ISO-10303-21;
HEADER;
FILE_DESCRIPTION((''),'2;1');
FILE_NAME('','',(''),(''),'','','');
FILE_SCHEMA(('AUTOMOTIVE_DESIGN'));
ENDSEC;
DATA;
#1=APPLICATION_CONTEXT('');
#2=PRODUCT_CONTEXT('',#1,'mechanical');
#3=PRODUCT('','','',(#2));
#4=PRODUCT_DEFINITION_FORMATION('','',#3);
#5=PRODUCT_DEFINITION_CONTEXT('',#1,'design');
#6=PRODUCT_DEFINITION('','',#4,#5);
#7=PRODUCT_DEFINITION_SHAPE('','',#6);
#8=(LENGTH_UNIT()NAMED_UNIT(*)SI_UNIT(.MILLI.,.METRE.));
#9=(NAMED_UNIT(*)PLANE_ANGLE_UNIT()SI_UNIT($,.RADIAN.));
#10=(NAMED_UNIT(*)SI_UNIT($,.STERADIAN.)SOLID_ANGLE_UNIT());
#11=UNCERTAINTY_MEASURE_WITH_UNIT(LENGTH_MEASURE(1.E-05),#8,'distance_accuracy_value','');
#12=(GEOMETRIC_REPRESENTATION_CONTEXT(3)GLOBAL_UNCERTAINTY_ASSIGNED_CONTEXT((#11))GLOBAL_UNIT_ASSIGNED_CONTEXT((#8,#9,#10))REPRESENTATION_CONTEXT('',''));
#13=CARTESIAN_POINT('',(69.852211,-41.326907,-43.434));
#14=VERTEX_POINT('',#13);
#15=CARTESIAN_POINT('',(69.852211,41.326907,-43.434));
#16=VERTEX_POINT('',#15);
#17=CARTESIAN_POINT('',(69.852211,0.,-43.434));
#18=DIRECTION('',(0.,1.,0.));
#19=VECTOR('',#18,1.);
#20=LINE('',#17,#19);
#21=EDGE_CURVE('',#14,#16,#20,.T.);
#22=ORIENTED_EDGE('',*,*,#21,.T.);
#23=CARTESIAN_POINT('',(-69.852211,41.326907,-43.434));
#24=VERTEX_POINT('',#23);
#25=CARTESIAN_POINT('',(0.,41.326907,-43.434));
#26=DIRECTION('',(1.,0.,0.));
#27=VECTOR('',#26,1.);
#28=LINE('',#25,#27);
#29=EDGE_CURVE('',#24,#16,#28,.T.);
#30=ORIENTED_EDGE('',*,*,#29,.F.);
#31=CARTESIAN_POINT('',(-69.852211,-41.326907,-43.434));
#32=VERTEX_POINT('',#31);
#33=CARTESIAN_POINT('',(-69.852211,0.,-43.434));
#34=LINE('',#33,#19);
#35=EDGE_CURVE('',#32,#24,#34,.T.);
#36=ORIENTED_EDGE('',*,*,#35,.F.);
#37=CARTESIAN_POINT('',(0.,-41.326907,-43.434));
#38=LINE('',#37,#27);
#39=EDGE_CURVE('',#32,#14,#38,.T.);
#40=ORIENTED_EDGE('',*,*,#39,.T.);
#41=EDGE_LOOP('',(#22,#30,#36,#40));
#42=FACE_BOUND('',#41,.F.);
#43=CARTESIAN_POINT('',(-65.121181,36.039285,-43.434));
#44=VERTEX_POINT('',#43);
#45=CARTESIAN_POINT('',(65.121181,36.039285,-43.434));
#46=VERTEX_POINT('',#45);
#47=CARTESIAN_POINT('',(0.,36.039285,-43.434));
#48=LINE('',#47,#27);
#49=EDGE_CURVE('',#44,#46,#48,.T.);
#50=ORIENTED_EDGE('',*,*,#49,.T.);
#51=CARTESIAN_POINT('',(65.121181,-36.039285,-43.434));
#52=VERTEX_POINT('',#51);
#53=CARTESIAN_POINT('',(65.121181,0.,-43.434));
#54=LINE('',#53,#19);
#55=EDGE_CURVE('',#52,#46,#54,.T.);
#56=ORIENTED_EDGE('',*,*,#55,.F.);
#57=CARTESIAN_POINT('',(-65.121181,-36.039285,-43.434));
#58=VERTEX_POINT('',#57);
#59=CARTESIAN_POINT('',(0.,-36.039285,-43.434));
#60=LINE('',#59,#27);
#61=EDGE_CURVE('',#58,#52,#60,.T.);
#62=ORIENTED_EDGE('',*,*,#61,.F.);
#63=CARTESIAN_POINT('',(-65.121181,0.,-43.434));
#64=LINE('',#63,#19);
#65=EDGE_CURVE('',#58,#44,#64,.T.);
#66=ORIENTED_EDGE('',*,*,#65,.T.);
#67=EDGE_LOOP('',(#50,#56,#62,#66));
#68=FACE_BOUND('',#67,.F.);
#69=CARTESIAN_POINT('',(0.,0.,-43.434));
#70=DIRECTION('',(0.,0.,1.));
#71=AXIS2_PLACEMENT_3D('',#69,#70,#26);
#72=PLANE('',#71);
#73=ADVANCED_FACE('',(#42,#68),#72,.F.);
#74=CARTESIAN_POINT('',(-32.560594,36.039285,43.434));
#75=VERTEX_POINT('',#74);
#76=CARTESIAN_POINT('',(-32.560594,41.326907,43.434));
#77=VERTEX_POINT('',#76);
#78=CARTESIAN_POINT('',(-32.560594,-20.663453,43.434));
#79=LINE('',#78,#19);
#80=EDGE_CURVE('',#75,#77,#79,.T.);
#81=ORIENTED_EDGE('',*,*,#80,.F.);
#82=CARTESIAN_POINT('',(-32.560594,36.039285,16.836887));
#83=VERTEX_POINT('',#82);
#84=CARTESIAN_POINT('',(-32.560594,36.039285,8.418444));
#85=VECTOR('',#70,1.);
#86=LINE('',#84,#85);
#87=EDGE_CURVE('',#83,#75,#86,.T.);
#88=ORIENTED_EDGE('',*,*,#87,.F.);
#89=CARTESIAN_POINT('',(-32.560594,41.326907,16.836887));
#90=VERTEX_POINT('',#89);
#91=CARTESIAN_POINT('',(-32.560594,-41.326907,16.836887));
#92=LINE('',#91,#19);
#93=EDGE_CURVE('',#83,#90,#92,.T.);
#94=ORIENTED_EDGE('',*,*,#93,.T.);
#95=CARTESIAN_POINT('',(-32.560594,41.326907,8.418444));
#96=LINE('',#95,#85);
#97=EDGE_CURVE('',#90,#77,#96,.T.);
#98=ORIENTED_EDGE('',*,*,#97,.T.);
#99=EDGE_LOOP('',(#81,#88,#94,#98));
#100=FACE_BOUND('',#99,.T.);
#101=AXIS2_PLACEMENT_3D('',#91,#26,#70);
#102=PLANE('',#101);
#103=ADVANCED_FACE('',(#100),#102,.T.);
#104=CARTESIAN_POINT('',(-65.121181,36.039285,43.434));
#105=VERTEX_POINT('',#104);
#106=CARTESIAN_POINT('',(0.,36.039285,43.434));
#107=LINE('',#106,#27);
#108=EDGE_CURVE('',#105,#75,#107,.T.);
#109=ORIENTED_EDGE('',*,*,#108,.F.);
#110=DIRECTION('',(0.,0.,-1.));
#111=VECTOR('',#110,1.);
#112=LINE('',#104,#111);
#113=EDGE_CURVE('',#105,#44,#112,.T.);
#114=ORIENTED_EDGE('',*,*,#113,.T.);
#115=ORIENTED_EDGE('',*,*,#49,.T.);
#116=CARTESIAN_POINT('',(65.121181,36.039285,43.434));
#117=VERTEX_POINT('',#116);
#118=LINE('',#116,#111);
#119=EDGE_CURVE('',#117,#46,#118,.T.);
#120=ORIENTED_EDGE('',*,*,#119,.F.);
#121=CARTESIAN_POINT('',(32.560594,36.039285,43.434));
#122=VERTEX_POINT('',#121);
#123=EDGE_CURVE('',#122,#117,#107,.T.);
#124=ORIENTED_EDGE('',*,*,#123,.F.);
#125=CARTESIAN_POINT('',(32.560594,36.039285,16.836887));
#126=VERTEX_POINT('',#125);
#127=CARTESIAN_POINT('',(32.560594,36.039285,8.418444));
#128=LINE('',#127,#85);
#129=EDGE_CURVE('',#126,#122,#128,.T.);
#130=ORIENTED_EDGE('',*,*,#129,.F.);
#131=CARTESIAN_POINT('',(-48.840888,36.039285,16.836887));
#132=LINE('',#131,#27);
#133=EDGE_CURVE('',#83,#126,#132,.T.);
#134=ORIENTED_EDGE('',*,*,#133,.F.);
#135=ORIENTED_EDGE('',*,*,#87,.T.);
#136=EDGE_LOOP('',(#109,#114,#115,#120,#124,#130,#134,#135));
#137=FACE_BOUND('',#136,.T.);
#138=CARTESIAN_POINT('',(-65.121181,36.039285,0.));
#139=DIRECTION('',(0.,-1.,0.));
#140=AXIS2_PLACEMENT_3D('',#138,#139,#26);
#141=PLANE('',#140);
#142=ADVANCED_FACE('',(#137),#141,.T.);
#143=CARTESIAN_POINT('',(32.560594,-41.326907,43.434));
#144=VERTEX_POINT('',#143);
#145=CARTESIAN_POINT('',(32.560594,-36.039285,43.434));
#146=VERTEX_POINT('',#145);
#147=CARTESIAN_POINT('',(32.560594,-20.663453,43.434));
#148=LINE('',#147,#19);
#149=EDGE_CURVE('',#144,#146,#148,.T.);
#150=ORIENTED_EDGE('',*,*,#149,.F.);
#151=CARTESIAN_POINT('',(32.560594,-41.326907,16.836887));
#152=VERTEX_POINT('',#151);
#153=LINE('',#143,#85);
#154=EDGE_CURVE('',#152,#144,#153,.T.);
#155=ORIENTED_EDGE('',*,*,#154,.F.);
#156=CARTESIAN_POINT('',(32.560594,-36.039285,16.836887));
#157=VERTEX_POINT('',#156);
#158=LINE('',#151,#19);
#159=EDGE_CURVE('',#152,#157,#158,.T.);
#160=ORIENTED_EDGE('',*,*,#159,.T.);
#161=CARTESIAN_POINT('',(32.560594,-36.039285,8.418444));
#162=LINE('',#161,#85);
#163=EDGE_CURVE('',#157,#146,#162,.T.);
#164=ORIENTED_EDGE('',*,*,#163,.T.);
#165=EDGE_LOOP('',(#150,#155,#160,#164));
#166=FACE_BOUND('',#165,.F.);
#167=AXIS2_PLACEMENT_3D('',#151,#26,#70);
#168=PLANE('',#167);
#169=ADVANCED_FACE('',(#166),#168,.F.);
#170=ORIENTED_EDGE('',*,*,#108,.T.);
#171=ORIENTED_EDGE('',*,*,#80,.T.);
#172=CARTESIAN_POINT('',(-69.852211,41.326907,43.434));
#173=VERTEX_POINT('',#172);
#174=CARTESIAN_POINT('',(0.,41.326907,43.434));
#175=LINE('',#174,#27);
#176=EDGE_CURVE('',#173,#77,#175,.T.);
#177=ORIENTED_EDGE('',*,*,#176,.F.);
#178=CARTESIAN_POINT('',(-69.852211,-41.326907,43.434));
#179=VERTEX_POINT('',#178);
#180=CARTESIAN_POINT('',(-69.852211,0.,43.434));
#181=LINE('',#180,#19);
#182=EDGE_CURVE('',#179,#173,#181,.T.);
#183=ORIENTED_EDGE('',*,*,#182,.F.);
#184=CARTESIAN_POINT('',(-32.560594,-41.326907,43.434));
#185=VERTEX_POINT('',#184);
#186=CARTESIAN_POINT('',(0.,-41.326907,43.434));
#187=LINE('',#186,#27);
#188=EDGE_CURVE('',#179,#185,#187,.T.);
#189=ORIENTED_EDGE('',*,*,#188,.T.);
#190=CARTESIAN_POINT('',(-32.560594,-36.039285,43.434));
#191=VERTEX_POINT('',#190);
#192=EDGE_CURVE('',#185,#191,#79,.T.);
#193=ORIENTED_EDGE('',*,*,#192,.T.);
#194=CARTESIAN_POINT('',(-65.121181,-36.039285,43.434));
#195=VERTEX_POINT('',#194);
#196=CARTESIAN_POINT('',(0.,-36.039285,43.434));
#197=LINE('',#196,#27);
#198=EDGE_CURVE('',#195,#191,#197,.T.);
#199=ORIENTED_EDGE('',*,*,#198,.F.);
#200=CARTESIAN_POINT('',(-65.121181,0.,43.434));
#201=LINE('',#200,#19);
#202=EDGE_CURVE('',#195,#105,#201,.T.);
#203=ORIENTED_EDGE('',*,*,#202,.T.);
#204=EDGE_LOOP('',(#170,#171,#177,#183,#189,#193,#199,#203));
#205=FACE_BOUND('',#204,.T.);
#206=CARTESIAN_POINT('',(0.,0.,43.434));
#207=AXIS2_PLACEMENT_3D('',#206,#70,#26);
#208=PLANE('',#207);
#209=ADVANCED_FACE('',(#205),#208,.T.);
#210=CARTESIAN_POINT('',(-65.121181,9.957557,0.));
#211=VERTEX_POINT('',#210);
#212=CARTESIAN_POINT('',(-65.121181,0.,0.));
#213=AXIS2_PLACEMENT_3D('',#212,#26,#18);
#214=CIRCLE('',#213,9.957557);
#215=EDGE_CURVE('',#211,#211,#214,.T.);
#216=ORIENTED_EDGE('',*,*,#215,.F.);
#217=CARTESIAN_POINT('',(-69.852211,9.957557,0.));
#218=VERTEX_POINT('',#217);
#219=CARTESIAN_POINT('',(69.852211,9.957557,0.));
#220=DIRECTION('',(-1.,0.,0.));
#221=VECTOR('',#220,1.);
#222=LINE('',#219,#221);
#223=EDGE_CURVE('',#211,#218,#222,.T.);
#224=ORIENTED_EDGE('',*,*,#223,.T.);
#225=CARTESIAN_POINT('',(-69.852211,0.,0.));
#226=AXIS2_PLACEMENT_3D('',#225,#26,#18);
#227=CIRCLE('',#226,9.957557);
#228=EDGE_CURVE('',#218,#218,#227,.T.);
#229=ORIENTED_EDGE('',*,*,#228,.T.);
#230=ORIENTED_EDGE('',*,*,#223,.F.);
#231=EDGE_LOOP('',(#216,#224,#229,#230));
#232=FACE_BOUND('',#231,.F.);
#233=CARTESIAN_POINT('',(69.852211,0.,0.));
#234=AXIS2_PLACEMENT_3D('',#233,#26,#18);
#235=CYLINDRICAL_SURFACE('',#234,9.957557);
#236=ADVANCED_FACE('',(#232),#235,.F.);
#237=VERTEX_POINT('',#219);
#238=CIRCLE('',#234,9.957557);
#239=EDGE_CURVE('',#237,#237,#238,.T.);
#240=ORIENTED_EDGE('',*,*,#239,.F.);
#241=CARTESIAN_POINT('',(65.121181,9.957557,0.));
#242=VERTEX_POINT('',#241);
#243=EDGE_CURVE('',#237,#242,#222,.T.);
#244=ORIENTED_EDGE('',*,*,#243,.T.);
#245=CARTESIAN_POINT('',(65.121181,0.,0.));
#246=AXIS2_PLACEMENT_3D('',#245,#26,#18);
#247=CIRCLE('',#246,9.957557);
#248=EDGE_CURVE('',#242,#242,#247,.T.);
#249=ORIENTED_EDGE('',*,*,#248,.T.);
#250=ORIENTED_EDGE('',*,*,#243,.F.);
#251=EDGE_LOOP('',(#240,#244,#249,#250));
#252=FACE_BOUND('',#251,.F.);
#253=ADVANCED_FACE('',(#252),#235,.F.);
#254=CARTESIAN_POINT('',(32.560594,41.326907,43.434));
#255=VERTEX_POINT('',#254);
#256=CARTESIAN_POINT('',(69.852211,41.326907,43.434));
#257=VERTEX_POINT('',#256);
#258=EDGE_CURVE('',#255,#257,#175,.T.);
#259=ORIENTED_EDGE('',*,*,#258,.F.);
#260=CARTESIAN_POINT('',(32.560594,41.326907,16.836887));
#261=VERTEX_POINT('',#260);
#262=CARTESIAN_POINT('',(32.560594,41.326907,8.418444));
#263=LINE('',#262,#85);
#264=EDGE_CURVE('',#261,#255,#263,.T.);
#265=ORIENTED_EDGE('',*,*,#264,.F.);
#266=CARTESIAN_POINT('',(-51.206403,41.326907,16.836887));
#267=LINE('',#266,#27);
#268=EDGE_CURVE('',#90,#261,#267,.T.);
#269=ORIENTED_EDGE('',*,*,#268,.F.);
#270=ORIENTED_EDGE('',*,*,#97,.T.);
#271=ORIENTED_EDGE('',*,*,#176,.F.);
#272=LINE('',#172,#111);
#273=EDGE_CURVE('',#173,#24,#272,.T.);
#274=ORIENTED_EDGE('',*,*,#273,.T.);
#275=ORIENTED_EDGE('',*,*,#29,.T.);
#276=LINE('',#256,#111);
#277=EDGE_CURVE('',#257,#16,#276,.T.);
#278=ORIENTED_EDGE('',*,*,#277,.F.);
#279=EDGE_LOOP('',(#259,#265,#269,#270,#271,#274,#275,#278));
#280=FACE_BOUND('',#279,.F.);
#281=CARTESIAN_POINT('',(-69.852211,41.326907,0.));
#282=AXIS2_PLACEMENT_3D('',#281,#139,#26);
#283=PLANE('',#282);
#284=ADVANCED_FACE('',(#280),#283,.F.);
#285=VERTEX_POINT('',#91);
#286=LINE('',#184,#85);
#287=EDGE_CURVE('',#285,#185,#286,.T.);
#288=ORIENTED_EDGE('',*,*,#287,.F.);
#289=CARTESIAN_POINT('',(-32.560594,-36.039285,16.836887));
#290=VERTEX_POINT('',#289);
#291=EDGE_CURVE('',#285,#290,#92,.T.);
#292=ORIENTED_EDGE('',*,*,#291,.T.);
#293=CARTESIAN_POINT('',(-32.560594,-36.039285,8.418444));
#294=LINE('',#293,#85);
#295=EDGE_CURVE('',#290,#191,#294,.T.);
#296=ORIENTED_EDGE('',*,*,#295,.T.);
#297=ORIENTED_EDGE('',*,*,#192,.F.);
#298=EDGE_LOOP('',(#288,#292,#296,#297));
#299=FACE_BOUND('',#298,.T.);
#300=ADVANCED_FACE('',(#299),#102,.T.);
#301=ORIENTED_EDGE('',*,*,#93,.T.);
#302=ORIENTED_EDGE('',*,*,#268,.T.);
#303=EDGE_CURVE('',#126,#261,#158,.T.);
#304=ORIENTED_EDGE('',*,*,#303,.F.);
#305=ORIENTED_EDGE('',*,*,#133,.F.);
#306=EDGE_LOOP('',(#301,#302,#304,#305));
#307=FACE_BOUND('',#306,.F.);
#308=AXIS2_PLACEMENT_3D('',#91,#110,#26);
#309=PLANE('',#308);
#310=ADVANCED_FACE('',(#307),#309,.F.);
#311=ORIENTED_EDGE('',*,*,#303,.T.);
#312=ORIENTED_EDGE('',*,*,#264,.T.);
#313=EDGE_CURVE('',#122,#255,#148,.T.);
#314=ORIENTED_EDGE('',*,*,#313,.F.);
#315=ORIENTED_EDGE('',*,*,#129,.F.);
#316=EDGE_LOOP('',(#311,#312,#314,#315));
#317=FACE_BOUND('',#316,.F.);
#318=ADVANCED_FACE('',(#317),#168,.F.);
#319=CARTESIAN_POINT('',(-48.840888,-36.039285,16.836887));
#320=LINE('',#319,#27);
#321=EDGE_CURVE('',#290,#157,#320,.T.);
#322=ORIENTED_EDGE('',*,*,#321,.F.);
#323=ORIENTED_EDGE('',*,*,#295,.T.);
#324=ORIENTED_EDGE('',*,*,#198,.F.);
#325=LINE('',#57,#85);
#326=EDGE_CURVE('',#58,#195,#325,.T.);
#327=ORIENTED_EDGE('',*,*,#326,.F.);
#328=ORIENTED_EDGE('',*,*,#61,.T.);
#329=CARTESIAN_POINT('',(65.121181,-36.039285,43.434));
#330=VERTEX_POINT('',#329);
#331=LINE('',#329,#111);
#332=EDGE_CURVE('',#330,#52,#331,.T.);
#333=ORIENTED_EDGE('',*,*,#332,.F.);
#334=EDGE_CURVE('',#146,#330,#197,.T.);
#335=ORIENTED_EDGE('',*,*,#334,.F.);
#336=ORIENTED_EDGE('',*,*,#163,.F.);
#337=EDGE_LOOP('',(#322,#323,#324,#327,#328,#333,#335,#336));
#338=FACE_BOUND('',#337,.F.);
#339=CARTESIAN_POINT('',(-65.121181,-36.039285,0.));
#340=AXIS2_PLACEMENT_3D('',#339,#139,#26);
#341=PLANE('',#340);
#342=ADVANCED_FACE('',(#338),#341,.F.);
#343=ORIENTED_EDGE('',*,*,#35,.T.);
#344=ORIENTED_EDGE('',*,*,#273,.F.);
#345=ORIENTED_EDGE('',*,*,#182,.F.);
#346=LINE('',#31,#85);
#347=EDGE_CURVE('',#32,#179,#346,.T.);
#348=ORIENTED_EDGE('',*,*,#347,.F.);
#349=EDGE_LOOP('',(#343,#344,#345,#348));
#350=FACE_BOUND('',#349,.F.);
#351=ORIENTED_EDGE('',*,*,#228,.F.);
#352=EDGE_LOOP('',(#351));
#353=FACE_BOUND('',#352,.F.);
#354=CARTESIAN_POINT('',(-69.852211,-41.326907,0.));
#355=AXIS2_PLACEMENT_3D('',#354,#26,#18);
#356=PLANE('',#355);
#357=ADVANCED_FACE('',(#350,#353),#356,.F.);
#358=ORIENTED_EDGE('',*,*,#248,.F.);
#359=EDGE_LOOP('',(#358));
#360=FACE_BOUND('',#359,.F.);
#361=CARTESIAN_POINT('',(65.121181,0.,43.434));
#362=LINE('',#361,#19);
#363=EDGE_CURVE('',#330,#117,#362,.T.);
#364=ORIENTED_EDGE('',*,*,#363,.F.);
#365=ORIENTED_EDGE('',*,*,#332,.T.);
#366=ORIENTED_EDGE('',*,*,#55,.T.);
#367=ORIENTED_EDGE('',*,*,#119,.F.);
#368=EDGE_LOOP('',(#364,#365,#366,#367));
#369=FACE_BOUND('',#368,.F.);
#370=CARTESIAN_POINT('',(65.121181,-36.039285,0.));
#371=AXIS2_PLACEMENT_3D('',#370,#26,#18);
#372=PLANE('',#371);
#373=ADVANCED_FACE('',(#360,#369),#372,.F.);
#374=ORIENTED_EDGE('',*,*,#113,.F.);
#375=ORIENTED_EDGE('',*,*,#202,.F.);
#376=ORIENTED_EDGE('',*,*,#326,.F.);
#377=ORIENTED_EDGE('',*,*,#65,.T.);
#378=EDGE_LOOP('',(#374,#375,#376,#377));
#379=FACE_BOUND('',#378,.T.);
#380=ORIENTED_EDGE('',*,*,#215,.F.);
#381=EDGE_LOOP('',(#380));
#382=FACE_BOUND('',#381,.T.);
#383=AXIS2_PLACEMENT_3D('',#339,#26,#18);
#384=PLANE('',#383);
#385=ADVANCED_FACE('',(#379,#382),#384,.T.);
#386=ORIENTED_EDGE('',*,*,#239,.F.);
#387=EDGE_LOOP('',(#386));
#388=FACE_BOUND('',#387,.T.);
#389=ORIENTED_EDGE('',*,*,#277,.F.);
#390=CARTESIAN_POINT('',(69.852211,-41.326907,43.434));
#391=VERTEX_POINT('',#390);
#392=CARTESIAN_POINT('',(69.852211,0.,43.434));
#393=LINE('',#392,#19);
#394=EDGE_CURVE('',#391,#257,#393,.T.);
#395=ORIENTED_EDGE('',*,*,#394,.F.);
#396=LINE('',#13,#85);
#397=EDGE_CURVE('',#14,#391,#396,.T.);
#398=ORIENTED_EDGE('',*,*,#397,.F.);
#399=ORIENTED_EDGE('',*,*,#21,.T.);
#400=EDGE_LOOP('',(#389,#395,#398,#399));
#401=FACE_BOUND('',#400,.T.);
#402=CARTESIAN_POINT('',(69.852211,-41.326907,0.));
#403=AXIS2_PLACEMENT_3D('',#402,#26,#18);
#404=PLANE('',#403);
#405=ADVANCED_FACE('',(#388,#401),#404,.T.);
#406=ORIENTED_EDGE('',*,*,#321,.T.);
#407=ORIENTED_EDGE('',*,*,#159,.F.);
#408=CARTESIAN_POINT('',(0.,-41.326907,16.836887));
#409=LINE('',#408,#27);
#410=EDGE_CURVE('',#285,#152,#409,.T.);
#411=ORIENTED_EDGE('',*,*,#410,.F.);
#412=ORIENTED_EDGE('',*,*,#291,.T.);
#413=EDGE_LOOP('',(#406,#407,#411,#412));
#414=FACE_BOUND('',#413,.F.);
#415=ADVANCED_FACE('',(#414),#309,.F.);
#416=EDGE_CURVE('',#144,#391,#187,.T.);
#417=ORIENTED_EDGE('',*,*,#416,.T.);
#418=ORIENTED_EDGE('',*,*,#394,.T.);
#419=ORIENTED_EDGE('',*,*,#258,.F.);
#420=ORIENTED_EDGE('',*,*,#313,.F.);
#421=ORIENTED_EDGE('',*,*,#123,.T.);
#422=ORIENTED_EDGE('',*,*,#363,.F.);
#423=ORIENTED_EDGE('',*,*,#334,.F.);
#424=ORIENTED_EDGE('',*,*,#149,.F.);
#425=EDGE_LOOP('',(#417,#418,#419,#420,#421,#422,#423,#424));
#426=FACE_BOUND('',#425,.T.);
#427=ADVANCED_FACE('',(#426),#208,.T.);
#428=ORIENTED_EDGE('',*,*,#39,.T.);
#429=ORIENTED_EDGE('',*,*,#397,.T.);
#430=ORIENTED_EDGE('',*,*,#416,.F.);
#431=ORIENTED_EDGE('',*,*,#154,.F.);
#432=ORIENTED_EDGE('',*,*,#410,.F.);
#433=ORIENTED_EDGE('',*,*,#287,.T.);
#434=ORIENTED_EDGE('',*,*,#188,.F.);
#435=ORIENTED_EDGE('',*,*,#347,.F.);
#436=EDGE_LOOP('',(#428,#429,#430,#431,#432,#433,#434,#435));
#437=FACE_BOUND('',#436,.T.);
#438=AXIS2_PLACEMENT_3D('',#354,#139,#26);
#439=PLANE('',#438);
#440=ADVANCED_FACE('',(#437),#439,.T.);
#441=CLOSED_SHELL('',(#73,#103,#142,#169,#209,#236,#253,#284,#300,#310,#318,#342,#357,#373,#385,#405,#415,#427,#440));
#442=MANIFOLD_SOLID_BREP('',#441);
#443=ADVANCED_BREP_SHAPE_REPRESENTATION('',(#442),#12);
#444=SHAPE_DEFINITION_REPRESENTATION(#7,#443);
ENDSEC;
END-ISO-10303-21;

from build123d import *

# Parameters (mm, degrees)
F0_W     = 139.704422
F0_H     = 82.653814
F0_W_2   = 130.242362
F0_H_2   = 72.07857
F1_DEPTH = 43.434
F2_R     = 9.957557
F3_DEPTH = 170.434
F4_W     = 65.121188
F4_H     = 53.194226
F5_DEPTH = 111.252


with BuildPart() as f1:
    # F0 (on Top) → F1 (new body, symmetric)
    with BuildSketch(Plane.XY):
        Rectangle(F0_W, F0_H)
        Rectangle(F0_W_2, F0_H_2, mode=Mode.SUBTRACT)
    extrude(amount=F1_DEPTH, both=True)

    # F2 (on face) → F3 (cut)
    with BuildSketch(Plane.YZ.offset(69.852211)):
        Circle(F2_R)
    extrude(amount=-F3_DEPTH, mode=Mode.SUBTRACT)

    # F4 (on face) → F5 (cut)
    with BuildSketch(Plane.XZ.offset(41.326907)):
        with Locations((0, 43.434)):
            Rectangle(F4_W, F4_H)
    extrude(amount=-F5_DEPTH, mode=Mode.SUBTRACT)


solid = f1.part
